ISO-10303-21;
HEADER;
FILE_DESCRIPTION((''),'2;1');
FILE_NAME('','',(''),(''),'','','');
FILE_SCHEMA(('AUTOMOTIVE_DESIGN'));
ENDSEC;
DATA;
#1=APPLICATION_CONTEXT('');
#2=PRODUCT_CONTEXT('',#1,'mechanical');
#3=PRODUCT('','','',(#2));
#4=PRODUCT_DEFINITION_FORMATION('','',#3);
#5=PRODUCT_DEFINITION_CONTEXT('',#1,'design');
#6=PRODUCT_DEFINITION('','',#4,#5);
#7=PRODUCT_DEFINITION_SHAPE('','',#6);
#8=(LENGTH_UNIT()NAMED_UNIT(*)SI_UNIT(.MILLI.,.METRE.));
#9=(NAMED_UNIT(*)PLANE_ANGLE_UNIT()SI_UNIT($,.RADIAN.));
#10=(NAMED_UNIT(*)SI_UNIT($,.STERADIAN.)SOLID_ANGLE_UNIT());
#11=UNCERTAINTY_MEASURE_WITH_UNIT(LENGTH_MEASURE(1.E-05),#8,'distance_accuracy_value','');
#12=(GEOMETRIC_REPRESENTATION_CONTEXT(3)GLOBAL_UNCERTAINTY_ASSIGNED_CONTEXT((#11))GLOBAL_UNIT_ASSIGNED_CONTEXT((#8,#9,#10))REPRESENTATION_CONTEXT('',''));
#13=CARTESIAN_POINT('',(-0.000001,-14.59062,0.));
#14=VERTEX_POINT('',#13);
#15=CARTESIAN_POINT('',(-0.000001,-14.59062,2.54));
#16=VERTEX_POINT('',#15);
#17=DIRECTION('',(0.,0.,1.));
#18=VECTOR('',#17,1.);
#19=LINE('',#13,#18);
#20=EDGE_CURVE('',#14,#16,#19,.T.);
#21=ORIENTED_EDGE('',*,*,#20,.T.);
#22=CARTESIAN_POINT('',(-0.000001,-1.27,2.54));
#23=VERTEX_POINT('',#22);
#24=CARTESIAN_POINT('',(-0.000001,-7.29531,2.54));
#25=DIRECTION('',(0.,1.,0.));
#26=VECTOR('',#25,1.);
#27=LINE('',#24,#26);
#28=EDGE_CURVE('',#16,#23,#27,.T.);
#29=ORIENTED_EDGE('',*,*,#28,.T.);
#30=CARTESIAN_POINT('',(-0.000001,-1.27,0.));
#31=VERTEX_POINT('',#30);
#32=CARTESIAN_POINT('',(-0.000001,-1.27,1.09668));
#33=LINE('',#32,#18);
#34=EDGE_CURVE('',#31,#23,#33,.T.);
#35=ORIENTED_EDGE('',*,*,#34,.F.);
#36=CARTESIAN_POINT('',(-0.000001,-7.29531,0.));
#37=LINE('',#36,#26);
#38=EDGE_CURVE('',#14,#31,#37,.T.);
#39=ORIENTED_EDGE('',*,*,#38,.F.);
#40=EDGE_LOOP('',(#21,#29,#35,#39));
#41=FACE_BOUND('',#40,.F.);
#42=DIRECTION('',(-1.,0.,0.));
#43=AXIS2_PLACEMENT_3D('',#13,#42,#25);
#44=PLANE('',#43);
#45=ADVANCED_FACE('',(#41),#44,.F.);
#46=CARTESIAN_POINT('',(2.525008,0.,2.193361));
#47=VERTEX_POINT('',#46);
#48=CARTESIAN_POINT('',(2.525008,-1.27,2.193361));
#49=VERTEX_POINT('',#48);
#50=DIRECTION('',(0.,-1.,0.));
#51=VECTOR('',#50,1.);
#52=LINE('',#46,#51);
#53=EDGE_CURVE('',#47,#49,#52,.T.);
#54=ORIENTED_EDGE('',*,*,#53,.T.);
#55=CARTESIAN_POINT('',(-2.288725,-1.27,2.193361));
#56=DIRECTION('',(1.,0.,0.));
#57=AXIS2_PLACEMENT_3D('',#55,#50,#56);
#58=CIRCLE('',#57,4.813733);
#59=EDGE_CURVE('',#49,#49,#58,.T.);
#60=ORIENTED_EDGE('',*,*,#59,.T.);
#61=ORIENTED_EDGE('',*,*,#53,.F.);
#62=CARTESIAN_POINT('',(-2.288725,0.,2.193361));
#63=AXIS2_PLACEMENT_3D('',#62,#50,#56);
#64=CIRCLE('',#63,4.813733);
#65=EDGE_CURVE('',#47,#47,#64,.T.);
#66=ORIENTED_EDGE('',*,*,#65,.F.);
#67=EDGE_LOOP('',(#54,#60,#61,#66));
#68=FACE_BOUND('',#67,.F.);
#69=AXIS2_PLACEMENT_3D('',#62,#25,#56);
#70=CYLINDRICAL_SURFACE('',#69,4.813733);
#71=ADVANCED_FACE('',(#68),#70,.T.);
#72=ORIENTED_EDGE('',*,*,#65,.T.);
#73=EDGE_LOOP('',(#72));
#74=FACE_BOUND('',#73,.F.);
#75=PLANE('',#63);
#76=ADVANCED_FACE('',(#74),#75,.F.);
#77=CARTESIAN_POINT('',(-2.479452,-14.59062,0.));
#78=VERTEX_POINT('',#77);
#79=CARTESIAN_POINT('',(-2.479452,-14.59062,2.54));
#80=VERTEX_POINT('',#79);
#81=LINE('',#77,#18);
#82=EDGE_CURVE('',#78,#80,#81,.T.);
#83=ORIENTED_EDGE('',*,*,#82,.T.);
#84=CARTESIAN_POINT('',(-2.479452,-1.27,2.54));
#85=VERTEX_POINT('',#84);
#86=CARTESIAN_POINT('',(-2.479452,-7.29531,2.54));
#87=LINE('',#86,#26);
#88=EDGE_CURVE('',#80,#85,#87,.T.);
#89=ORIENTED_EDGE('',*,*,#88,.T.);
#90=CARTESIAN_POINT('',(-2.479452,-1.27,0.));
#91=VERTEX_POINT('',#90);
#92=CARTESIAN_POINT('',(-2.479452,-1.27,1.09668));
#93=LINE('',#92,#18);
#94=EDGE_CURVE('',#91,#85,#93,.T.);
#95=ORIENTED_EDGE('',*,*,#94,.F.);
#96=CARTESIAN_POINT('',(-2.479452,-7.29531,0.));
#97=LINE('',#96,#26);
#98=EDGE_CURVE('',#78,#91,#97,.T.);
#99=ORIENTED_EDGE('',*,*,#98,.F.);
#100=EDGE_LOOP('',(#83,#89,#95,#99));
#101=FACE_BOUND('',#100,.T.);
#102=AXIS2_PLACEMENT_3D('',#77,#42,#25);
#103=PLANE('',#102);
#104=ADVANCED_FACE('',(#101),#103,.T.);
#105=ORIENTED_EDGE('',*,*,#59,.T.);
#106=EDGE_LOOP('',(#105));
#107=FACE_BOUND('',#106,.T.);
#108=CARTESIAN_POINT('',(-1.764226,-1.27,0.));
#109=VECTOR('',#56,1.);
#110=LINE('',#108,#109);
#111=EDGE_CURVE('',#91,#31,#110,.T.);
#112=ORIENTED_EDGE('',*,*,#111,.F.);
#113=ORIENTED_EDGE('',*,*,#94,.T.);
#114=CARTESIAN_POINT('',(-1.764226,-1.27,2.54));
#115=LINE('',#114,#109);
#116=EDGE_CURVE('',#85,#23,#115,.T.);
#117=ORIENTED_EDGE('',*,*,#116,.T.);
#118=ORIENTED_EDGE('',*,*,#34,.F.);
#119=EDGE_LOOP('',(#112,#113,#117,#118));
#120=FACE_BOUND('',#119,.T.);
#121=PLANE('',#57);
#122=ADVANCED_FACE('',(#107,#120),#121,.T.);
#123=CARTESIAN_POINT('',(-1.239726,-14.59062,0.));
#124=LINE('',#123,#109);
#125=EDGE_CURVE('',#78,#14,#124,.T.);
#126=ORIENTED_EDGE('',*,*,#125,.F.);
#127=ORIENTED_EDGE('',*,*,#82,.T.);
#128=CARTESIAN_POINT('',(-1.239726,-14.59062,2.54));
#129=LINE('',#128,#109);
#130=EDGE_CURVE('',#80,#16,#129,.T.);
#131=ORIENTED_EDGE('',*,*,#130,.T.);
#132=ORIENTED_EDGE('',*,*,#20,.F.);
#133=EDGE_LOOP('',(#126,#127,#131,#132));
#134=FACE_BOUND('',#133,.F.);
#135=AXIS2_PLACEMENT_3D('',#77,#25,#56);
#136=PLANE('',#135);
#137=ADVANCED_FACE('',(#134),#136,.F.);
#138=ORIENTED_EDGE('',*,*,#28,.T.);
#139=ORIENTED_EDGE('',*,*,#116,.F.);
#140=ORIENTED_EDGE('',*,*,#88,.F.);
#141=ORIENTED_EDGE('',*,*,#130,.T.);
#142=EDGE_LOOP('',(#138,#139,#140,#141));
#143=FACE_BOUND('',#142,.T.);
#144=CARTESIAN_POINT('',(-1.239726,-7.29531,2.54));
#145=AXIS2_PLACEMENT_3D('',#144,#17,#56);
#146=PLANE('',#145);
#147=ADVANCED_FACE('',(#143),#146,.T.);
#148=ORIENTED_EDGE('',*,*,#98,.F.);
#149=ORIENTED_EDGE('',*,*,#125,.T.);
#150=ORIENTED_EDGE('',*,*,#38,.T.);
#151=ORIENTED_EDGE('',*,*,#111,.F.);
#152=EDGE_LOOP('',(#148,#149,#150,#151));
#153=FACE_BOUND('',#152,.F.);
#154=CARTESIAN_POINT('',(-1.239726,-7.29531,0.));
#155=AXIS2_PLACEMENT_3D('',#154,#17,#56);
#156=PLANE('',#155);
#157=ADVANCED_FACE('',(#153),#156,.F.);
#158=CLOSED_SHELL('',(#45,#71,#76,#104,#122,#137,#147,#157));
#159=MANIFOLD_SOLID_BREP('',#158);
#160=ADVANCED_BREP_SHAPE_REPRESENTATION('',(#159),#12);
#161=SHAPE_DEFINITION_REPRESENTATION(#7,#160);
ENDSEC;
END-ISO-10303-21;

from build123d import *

# Parameters (mm, degrees)
F0_W     = 2.479451
F0_H     = 14.59062
F1_DEPTH = 2.54
F2_R     = 4.813733
F3_DEPTH = 1.27


with BuildPart() as f1:
    # F0 (on Top) → F1 (new body)
    with BuildSketch(Plane.XY):
        with Locations((-1.239726, -7.29531)):
            Rectangle(F0_W, F0_H)
    extrude(amount=F1_DEPTH)

    # F2 (on Front) → F3 (join)
    with BuildSketch(Plane.XZ):
        with Locations((-2.288725, 2.193361)):
            Circle(F2_R)
    extrude(amount=F3_DEPTH)


solid = f1.part
